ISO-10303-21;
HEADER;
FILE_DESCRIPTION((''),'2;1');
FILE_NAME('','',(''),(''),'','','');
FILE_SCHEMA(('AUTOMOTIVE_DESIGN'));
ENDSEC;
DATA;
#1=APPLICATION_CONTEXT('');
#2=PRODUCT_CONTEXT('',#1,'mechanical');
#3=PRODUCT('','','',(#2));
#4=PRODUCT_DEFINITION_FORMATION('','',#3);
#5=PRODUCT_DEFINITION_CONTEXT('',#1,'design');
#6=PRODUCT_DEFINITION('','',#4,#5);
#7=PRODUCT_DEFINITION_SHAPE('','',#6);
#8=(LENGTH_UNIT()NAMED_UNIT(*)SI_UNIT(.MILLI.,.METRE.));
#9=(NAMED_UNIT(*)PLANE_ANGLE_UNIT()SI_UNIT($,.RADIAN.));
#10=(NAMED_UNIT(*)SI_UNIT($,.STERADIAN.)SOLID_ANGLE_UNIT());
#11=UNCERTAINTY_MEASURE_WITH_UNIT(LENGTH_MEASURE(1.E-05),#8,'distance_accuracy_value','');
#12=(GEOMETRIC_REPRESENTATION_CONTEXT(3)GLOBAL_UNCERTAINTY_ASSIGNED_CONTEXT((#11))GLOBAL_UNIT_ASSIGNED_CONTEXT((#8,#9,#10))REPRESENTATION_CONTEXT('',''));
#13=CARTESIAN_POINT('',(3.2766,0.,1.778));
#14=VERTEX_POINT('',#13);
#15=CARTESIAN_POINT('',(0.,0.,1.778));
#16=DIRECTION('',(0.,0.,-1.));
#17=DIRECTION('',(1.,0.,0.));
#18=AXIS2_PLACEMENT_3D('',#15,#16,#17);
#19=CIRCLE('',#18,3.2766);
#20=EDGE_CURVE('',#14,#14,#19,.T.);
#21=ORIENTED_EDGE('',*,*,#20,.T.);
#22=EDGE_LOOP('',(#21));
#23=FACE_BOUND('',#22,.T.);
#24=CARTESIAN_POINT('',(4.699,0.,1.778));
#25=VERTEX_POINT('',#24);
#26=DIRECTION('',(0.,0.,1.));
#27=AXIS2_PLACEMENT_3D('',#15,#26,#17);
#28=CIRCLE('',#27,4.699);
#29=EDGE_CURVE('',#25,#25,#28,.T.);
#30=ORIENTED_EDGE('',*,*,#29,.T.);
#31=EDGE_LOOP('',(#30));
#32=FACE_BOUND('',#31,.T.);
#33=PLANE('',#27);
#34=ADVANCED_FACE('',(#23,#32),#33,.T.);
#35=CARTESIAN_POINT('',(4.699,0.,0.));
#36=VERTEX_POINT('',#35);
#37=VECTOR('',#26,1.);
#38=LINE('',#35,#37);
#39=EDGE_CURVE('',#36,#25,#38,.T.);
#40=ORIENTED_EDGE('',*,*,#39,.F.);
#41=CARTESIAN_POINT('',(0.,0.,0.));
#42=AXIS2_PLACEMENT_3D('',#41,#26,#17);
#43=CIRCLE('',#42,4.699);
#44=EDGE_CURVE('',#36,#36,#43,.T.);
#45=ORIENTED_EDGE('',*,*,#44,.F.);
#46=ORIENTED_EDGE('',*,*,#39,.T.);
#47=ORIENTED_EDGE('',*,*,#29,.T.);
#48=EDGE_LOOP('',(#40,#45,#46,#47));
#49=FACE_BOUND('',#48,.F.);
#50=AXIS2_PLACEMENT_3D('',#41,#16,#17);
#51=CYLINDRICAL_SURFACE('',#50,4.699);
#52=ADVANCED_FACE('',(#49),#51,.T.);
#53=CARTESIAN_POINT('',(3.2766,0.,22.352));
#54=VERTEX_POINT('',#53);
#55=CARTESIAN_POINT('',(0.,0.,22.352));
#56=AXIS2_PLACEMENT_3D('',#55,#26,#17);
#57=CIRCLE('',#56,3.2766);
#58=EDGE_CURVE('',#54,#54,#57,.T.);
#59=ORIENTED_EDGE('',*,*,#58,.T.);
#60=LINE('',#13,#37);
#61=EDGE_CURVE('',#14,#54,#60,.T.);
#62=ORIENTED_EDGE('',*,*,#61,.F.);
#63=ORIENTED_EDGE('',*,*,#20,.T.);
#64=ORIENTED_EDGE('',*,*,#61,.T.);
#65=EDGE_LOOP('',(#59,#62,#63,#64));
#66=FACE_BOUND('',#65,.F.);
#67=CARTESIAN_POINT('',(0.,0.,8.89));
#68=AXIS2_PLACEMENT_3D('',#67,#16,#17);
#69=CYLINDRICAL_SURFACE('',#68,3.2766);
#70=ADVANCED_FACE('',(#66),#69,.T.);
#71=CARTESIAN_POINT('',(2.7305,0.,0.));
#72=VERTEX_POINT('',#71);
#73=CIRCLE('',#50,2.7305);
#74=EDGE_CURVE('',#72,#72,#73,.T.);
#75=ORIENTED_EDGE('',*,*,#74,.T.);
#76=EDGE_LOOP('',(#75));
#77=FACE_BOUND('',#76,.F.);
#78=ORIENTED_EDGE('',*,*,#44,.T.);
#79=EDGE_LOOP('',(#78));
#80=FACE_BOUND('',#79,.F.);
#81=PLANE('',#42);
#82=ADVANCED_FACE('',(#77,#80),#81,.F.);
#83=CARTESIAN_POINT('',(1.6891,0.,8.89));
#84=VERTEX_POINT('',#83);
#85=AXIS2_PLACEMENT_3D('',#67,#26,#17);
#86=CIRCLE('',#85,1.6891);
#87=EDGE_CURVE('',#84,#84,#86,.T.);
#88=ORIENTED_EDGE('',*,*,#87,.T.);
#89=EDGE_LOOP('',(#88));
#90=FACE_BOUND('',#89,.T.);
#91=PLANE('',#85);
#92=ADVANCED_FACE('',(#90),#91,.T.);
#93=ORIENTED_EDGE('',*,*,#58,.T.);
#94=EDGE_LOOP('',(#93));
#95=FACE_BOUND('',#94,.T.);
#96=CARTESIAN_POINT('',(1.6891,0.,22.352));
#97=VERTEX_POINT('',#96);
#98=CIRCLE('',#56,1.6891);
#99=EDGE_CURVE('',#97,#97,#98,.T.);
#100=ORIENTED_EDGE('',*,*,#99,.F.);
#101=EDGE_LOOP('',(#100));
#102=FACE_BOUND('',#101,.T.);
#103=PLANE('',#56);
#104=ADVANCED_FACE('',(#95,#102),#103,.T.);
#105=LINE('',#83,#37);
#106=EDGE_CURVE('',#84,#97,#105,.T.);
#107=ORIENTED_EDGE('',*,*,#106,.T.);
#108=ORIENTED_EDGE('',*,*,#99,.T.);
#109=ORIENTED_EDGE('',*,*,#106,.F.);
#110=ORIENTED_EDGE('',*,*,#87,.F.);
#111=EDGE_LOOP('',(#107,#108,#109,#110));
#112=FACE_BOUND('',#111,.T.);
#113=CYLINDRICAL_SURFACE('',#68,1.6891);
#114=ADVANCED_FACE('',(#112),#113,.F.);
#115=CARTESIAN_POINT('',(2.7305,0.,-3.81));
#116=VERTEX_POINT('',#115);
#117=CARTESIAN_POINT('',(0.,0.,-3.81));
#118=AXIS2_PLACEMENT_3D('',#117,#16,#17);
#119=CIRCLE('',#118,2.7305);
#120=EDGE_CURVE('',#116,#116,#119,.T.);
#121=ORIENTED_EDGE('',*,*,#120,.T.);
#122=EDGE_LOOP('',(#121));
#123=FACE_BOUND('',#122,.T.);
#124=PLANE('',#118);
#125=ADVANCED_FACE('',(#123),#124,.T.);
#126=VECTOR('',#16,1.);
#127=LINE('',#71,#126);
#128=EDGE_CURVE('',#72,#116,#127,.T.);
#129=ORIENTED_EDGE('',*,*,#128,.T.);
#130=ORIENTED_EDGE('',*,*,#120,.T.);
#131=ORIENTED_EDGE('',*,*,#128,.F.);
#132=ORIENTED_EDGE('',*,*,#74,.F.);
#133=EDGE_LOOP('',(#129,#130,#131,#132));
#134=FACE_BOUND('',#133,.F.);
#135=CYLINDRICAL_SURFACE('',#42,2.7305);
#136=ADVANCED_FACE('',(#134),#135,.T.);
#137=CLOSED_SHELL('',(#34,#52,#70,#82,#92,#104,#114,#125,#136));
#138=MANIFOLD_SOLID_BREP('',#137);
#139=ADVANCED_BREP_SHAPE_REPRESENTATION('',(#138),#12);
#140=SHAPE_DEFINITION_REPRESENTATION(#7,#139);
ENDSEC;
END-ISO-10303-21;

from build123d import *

# Parameters (mm, degrees)
F0_R     = 3.2766
F1_DEPTH = 8.89
F2_R     = 4.699
F3_DEPTH = 1.778
F4_R     = 2.7305
F5_DEPTH = 3.81
F6_R     = 3.2766
F6_R_2   = 1.6891
F7_DEPTH = 13.462


with BuildPart() as f1:
    # F0 (on Top) → F1 (new body)
    with BuildSketch(Plane.XY):
        Circle(F0_R)
    extrude(amount=F1_DEPTH)

    # F2 (on Top) → F3 (join)
    with BuildSketch(Plane.XY):
        Circle(F2_R)
    extrude(amount=F3_DEPTH)

    # F4 (on face) → F5 (join)
    with BuildSketch(Plane(origin=(0, 0, 0), x_dir=(1, 0, 0), z_dir=(0, 0, -1))):
        Circle(F4_R)
    extrude(amount=F5_DEPTH)

    # F6 (on face) → F7 (join)
    with BuildSketch(Plane.XY.offset(8.89)):
        Circle(F6_R)
        Circle(F6_R_2, mode=Mode.SUBTRACT)
    extrude(amount=F7_DEPTH)


solid = f1.part
